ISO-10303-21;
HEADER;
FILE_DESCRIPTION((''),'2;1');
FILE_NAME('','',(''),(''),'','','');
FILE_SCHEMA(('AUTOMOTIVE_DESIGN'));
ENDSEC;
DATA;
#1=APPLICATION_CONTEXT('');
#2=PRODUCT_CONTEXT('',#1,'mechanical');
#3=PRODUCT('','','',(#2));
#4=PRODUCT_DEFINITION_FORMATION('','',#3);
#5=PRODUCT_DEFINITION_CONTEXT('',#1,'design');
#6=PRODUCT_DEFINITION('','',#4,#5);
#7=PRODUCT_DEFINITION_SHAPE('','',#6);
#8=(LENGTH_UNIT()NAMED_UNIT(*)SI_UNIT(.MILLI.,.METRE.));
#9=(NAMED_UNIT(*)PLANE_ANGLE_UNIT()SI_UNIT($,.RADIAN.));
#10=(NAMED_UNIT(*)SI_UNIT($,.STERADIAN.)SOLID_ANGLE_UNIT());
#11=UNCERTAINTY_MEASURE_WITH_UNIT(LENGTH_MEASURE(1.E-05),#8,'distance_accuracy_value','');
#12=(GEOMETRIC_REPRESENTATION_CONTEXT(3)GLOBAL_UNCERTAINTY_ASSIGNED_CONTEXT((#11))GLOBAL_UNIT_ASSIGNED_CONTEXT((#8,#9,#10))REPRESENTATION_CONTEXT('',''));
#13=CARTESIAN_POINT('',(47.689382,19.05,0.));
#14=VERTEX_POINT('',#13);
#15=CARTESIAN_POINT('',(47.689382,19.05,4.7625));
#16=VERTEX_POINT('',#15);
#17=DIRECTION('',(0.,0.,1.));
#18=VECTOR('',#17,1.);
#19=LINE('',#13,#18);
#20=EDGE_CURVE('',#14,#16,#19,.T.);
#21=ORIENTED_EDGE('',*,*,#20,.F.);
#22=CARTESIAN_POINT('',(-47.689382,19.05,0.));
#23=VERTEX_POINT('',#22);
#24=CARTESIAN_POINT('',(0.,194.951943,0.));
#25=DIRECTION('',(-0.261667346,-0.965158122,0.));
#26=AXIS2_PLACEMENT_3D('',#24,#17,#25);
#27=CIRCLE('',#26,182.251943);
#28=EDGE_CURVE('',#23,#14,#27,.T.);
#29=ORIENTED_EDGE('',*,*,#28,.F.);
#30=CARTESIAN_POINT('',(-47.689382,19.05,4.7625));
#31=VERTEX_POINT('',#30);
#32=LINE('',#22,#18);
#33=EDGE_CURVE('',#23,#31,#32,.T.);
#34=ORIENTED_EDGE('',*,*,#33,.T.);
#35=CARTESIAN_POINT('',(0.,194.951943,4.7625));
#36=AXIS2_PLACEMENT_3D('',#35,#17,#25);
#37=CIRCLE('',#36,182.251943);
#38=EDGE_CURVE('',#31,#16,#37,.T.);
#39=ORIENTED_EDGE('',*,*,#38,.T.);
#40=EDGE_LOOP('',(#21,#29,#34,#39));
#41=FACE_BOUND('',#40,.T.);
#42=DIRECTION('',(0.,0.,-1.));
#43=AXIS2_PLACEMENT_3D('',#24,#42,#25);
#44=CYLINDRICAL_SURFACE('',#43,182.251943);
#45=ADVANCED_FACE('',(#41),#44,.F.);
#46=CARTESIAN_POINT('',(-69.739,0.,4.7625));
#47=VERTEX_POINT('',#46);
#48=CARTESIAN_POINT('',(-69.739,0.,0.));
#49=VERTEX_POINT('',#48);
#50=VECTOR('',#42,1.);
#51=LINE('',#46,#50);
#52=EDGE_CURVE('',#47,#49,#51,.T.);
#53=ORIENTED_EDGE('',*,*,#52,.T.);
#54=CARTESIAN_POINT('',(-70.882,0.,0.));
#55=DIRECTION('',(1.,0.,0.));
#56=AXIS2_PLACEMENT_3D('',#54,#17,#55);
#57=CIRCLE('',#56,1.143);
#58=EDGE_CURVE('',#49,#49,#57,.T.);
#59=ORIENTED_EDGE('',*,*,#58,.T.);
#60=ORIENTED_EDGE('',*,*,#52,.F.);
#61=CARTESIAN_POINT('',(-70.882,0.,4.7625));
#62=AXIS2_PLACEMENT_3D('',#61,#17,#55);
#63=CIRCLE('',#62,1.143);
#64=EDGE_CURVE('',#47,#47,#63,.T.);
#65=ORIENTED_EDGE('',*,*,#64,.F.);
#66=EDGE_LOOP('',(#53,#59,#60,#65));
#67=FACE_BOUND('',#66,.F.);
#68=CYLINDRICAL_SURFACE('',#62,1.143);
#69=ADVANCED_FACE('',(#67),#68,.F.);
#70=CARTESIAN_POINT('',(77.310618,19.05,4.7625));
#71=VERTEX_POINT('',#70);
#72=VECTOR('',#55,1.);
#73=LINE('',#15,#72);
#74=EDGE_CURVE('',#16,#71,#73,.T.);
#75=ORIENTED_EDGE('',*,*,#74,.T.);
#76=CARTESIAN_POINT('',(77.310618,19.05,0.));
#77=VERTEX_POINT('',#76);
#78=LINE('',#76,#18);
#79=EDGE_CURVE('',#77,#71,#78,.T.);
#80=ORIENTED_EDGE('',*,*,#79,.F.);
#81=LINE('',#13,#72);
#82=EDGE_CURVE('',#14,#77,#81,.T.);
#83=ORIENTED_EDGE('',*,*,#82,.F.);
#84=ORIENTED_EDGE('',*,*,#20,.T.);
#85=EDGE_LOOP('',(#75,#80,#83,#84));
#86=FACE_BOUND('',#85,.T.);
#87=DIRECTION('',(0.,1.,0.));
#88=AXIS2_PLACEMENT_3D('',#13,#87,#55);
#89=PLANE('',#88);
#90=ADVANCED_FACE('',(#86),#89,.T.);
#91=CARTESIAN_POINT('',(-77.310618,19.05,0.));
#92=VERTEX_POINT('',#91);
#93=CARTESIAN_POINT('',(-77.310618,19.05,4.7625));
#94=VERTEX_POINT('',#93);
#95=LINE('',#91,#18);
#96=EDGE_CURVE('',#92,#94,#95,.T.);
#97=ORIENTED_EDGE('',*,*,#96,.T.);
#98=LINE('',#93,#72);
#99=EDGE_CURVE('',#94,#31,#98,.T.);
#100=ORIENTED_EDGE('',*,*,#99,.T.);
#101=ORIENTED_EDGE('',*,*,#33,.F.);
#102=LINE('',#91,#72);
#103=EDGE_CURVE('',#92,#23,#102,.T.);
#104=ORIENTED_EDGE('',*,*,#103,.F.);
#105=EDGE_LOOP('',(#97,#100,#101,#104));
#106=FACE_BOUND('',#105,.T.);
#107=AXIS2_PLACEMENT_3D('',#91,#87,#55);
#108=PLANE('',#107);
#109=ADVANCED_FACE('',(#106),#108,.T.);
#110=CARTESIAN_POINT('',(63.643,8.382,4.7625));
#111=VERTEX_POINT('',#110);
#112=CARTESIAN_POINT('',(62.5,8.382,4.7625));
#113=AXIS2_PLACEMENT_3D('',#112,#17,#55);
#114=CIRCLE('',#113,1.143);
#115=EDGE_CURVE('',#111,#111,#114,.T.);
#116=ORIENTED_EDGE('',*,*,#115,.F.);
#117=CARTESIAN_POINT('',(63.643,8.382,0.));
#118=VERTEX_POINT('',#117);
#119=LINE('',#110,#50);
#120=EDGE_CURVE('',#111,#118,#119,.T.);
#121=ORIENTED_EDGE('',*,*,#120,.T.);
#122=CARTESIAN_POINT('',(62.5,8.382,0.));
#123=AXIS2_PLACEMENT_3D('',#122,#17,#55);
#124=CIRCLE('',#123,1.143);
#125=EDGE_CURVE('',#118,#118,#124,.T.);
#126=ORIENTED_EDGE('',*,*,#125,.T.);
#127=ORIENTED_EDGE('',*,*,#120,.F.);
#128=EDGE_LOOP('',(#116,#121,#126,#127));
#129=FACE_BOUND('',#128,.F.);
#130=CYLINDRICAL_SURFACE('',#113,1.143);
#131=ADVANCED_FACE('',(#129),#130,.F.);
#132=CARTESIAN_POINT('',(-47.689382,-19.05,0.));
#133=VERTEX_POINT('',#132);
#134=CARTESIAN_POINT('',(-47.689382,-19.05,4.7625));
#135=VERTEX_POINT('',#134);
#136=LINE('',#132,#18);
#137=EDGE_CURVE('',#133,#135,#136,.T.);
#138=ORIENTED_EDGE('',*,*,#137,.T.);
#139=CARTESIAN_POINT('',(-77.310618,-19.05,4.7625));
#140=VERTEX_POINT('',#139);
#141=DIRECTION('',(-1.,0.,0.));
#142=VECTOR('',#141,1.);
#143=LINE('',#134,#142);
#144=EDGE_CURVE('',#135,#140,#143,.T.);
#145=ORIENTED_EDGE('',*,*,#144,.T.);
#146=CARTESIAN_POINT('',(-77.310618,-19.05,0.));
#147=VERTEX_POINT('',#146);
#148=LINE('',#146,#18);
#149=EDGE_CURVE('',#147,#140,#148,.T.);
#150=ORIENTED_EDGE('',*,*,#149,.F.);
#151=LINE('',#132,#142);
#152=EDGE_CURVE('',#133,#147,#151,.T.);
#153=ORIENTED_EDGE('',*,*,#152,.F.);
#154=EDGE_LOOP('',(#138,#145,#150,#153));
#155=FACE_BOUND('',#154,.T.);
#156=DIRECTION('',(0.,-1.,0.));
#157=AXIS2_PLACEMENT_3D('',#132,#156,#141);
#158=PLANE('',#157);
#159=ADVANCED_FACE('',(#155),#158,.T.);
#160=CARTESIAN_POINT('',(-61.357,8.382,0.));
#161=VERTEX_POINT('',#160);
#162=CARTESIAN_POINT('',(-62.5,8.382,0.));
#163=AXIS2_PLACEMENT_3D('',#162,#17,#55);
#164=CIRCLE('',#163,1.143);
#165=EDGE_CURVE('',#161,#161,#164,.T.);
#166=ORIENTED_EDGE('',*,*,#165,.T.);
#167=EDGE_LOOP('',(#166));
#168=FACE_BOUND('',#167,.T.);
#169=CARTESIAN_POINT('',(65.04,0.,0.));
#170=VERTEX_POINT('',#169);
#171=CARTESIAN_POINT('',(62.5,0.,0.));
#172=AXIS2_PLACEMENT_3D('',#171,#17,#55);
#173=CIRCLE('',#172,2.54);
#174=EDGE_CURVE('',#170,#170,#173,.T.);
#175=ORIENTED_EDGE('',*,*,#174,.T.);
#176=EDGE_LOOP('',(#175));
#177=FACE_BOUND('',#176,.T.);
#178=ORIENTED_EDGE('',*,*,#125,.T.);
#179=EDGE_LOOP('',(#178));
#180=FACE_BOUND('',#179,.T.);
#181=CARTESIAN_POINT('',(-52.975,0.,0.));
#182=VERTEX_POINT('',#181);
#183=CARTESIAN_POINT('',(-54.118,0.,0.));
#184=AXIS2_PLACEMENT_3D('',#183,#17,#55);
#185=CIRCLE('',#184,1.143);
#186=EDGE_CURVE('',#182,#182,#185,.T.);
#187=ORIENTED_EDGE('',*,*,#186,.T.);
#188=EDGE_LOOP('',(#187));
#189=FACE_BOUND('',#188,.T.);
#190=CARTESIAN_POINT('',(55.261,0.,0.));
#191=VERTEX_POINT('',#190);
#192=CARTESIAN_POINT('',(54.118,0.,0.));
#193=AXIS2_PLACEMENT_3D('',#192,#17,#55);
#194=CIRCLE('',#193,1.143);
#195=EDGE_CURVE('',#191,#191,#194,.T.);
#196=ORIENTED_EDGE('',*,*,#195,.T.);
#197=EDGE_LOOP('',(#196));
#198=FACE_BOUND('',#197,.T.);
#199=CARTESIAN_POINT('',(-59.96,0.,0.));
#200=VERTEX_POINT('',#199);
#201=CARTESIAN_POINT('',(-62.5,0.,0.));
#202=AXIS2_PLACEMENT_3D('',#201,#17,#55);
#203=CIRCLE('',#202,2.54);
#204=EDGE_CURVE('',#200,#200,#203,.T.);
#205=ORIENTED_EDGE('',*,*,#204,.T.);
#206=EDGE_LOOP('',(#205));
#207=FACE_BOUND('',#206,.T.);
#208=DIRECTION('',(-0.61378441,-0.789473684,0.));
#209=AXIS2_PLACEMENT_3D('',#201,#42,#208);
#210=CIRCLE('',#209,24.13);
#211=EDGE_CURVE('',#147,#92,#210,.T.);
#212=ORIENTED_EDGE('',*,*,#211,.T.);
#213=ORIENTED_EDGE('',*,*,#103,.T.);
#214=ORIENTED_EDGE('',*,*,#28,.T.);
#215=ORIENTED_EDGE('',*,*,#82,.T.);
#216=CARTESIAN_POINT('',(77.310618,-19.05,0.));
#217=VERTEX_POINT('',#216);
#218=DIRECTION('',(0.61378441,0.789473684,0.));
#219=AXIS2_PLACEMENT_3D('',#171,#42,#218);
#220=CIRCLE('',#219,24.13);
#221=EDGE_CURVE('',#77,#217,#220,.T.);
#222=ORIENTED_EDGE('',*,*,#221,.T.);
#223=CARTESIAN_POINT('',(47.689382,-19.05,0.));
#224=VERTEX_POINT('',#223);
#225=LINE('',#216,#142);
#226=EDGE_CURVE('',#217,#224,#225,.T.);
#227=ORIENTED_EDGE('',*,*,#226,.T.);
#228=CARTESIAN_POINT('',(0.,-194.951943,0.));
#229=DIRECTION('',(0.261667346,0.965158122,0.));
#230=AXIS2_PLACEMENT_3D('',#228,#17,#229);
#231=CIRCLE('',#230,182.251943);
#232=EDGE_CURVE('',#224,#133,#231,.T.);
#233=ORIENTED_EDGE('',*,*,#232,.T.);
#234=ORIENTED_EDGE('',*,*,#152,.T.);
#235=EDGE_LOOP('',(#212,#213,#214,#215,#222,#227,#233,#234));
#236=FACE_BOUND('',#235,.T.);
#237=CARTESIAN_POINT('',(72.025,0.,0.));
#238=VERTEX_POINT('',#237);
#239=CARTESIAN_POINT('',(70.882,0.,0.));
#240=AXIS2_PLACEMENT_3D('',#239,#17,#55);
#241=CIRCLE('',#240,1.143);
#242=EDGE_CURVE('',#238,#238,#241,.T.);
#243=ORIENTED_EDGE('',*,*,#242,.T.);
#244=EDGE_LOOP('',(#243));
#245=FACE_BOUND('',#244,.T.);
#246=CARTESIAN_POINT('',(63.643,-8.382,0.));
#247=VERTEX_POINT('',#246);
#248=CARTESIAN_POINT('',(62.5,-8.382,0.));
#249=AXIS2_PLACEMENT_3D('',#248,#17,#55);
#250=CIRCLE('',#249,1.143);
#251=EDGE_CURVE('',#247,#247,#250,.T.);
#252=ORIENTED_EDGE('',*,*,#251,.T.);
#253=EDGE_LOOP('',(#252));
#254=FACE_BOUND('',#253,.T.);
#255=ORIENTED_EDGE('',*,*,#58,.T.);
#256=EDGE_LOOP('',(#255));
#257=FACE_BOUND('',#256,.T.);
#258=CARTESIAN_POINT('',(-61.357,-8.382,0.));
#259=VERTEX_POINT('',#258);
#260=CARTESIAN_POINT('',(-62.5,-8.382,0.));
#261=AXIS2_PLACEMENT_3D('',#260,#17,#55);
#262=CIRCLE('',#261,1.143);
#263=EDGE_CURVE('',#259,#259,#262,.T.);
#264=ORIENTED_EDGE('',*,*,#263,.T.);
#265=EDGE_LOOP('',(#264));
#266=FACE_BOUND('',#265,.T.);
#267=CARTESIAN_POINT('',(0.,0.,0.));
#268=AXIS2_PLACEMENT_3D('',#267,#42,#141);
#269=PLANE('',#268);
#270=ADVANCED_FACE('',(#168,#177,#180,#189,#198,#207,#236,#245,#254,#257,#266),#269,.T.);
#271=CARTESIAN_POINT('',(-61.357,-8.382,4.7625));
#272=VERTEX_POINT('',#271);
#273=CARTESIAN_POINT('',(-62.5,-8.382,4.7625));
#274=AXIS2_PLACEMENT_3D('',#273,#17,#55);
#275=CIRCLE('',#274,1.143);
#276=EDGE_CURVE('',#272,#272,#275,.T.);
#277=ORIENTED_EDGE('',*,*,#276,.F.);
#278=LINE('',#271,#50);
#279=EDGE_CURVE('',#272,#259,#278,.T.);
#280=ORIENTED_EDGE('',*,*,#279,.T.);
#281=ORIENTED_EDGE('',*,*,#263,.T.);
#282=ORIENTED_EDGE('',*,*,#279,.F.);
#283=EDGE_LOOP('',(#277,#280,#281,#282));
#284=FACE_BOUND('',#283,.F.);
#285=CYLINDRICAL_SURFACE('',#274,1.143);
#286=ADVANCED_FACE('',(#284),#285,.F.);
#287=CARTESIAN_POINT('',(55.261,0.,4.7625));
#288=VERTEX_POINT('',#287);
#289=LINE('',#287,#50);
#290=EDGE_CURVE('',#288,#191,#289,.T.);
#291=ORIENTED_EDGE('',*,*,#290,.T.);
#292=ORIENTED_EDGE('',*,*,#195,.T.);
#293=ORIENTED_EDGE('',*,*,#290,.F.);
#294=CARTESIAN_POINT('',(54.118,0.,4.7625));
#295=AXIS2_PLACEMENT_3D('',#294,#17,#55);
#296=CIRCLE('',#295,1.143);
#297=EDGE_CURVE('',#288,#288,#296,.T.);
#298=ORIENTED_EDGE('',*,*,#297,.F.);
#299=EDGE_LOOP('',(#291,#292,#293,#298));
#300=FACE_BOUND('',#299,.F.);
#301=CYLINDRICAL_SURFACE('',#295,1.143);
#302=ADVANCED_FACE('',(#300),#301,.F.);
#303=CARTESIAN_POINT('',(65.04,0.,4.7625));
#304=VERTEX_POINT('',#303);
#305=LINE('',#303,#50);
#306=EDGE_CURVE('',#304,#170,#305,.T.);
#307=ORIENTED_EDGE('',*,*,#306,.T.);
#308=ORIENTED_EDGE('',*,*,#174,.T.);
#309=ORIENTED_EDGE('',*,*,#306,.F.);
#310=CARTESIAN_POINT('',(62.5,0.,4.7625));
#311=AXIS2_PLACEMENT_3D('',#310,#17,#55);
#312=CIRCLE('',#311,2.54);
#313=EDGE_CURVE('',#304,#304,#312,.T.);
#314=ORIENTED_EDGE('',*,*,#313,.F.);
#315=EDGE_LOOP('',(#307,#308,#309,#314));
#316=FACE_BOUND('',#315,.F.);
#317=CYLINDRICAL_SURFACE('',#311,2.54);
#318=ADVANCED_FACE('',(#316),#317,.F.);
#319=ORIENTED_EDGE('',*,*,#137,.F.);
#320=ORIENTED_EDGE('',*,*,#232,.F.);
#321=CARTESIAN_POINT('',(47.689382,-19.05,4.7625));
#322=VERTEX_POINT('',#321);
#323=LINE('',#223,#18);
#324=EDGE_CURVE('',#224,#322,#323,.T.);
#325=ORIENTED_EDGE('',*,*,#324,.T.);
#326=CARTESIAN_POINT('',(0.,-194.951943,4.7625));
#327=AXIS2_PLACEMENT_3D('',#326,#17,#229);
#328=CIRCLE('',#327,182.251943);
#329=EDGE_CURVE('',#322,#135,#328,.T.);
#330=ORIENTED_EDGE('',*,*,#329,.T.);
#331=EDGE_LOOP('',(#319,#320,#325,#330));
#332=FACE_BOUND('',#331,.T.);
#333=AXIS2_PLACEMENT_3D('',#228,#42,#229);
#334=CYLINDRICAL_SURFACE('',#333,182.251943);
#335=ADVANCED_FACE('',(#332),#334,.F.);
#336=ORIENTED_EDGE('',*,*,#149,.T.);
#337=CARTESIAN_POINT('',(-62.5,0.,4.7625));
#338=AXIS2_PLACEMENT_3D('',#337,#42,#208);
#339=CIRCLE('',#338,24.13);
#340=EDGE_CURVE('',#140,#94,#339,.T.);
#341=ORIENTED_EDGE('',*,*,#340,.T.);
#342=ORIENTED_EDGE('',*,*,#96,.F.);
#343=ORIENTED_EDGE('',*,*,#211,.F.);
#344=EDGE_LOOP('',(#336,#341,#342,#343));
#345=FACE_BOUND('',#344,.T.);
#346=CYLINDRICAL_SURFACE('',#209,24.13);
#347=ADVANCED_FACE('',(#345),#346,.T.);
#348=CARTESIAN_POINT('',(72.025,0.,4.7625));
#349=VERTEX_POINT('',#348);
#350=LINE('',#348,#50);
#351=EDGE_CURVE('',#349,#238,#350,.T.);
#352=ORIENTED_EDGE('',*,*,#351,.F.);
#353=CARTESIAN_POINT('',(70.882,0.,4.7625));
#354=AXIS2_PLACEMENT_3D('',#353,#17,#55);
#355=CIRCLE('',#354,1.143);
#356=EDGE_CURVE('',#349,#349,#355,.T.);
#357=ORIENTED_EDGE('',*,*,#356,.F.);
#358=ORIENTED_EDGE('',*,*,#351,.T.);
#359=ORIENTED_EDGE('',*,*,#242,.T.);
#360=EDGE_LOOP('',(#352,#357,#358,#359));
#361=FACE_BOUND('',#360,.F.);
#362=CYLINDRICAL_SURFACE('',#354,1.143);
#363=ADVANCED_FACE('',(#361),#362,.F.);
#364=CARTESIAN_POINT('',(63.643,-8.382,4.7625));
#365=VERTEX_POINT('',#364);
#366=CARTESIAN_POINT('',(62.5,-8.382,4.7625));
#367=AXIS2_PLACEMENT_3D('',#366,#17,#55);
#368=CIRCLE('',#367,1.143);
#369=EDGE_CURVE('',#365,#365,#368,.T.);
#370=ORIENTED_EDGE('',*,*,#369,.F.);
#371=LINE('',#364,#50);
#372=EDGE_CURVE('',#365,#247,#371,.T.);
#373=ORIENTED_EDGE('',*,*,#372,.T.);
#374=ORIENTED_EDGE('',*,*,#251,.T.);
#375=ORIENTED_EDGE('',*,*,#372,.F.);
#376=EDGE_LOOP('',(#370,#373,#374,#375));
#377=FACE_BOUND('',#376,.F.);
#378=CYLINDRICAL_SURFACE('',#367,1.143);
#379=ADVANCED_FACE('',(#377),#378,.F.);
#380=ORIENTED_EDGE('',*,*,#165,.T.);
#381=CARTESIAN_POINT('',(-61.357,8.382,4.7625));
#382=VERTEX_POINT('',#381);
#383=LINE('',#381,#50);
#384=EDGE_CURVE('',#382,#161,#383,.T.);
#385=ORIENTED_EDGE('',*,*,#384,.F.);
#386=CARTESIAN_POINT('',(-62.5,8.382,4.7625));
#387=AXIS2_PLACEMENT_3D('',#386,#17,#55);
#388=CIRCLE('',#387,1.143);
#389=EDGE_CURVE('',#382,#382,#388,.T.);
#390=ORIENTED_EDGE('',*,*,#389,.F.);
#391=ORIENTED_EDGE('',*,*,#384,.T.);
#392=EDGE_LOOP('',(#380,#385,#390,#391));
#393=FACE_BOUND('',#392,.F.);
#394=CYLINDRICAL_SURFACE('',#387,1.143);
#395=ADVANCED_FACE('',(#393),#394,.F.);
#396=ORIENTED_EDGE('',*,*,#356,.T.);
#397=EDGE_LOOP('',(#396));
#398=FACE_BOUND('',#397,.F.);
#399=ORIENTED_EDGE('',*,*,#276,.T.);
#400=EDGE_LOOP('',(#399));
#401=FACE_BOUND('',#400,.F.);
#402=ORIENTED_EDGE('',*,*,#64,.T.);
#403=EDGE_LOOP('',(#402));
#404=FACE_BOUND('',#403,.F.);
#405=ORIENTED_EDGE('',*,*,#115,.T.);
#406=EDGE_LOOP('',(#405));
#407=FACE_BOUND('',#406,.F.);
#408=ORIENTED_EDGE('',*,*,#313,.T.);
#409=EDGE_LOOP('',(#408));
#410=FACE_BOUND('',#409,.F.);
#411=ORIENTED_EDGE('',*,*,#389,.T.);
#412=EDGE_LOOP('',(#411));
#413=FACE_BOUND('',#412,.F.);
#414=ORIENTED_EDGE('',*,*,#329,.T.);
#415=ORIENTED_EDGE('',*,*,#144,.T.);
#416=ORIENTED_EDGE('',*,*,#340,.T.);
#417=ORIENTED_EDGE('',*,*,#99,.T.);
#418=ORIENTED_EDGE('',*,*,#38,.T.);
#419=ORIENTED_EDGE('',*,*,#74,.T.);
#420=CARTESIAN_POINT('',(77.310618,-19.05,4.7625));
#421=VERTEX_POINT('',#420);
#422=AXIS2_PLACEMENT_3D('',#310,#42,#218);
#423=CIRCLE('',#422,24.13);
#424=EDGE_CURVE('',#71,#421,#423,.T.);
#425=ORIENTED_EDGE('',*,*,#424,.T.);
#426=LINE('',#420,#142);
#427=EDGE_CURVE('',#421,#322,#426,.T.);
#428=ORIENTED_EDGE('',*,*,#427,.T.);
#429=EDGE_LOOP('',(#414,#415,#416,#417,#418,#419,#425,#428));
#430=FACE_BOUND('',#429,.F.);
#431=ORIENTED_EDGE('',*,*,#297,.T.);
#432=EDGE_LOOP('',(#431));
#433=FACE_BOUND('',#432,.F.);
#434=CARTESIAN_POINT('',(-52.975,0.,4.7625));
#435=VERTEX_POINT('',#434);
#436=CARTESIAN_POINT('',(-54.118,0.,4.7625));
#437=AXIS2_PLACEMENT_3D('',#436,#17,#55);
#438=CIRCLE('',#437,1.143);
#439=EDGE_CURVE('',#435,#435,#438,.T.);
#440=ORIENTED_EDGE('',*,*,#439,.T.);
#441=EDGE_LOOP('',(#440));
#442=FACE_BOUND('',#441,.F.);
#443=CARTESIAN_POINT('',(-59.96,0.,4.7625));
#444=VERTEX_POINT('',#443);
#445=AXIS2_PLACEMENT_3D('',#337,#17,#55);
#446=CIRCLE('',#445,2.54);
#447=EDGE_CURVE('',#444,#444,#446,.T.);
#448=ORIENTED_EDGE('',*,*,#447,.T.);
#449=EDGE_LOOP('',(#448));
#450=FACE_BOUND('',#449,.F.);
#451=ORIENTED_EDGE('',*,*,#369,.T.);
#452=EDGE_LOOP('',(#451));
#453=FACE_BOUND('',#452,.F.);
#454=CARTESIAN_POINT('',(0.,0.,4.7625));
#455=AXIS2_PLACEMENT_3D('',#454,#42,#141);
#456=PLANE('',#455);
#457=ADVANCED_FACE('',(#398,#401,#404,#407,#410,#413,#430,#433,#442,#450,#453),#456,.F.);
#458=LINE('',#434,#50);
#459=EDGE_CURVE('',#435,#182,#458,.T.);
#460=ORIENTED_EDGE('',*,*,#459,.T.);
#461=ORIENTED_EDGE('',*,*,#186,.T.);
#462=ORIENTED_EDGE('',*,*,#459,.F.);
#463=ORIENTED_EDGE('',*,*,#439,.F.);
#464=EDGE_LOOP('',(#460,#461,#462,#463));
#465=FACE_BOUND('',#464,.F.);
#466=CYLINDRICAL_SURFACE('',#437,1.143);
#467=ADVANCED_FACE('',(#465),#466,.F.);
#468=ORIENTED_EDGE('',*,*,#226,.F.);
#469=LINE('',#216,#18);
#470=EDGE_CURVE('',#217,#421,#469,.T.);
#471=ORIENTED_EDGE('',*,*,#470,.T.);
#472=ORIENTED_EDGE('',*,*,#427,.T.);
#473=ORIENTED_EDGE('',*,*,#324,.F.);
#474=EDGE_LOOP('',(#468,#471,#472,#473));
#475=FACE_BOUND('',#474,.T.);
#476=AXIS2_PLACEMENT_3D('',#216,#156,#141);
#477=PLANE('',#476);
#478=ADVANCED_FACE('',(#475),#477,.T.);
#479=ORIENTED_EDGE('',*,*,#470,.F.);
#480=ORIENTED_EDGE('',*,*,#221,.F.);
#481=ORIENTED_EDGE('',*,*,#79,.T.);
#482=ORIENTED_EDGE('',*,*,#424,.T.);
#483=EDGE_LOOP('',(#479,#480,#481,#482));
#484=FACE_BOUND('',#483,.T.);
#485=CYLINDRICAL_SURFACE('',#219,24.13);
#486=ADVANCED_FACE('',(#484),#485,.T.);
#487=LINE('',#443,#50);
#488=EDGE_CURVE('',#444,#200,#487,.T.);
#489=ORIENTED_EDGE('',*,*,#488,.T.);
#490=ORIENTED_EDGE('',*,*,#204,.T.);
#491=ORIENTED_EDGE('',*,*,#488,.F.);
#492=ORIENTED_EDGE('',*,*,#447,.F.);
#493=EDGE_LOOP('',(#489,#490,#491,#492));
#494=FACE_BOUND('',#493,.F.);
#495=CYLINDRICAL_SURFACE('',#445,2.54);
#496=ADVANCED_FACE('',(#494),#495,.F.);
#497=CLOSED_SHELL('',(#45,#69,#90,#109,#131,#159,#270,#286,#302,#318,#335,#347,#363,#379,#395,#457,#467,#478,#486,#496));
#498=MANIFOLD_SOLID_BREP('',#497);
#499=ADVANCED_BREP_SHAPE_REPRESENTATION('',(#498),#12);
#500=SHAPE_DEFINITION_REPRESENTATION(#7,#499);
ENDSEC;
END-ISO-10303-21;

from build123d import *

# Parameters (mm, degrees)
BOSS_EXTRUDE1_DEPTH = 4.7625
SKETCH2_R           = 2.54
SKETCH2_R_2         = 1.143
CUT_EXTRUDE1_DEPTH  = 89.827590344


with BuildPart() as part:
    # Sketch1 → Boss-Extrude1 (new body)
    with BuildSketch(Plane.XY):
        with BuildLine():
            Line((-77.310617813, 19.05), (-47.689382187, 19.05))
            ThreePointArc((-47.689382187, 19.05), (0, 12.7), (47.689382187, 19.05))
            Line((47.689382187, 19.05), (77.310617813, 19.05))
            ThreePointArc((77.310617813, 19.05), (86.63, 0), (77.310617813, -19.05))
            Line((77.310617813, -19.05), (47.689382187, -19.05))
            ThreePointArc((47.689382187, -19.05), (0, -12.7), (-47.689382187, -19.05))
            Line((-47.689382187, -19.05), (-77.310617813, -19.05))
            ThreePointArc((-77.310617813, -19.05), (-86.63, 0), (-77.310617813, 19.05))
        make_face()
    extrude(amount=BOSS_EXTRUDE1_DEPTH)

    # Sketch2 → Cut-Extrude1 (cut, through all)
    with BuildSketch(Plane.XY.offset(4.7625)):
        with Locations((-62.5, 0)):
            Circle(SKETCH2_R)
        with Locations((-54.118, 0)):
            Circle(SKETCH2_R_2)
        with Locations((-62.5, -8.382)):
            Circle(SKETCH2_R_2)
        with Locations((-70.882, 0)):
            Circle(SKETCH2_R_2)
        with Locations((-62.5, 8.382)):
            Circle(SKETCH2_R_2)
        with Locations((62.5, 0)):
            Circle(SKETCH2_R)
        with Locations((70.882, 0)):
            Circle(SKETCH2_R_2)
        with Locations((62.5, -8.382)):
            Circle(SKETCH2_R_2)
        with Locations((54.118, 0)):
            Circle(SKETCH2_R_2)
        with Locations((62.5, 8.382)):
            Circle(SKETCH2_R_2)
    extrude(amount=-CUT_EXTRUDE1_DEPTH, mode=Mode.SUBTRACT)


solid = part.part
